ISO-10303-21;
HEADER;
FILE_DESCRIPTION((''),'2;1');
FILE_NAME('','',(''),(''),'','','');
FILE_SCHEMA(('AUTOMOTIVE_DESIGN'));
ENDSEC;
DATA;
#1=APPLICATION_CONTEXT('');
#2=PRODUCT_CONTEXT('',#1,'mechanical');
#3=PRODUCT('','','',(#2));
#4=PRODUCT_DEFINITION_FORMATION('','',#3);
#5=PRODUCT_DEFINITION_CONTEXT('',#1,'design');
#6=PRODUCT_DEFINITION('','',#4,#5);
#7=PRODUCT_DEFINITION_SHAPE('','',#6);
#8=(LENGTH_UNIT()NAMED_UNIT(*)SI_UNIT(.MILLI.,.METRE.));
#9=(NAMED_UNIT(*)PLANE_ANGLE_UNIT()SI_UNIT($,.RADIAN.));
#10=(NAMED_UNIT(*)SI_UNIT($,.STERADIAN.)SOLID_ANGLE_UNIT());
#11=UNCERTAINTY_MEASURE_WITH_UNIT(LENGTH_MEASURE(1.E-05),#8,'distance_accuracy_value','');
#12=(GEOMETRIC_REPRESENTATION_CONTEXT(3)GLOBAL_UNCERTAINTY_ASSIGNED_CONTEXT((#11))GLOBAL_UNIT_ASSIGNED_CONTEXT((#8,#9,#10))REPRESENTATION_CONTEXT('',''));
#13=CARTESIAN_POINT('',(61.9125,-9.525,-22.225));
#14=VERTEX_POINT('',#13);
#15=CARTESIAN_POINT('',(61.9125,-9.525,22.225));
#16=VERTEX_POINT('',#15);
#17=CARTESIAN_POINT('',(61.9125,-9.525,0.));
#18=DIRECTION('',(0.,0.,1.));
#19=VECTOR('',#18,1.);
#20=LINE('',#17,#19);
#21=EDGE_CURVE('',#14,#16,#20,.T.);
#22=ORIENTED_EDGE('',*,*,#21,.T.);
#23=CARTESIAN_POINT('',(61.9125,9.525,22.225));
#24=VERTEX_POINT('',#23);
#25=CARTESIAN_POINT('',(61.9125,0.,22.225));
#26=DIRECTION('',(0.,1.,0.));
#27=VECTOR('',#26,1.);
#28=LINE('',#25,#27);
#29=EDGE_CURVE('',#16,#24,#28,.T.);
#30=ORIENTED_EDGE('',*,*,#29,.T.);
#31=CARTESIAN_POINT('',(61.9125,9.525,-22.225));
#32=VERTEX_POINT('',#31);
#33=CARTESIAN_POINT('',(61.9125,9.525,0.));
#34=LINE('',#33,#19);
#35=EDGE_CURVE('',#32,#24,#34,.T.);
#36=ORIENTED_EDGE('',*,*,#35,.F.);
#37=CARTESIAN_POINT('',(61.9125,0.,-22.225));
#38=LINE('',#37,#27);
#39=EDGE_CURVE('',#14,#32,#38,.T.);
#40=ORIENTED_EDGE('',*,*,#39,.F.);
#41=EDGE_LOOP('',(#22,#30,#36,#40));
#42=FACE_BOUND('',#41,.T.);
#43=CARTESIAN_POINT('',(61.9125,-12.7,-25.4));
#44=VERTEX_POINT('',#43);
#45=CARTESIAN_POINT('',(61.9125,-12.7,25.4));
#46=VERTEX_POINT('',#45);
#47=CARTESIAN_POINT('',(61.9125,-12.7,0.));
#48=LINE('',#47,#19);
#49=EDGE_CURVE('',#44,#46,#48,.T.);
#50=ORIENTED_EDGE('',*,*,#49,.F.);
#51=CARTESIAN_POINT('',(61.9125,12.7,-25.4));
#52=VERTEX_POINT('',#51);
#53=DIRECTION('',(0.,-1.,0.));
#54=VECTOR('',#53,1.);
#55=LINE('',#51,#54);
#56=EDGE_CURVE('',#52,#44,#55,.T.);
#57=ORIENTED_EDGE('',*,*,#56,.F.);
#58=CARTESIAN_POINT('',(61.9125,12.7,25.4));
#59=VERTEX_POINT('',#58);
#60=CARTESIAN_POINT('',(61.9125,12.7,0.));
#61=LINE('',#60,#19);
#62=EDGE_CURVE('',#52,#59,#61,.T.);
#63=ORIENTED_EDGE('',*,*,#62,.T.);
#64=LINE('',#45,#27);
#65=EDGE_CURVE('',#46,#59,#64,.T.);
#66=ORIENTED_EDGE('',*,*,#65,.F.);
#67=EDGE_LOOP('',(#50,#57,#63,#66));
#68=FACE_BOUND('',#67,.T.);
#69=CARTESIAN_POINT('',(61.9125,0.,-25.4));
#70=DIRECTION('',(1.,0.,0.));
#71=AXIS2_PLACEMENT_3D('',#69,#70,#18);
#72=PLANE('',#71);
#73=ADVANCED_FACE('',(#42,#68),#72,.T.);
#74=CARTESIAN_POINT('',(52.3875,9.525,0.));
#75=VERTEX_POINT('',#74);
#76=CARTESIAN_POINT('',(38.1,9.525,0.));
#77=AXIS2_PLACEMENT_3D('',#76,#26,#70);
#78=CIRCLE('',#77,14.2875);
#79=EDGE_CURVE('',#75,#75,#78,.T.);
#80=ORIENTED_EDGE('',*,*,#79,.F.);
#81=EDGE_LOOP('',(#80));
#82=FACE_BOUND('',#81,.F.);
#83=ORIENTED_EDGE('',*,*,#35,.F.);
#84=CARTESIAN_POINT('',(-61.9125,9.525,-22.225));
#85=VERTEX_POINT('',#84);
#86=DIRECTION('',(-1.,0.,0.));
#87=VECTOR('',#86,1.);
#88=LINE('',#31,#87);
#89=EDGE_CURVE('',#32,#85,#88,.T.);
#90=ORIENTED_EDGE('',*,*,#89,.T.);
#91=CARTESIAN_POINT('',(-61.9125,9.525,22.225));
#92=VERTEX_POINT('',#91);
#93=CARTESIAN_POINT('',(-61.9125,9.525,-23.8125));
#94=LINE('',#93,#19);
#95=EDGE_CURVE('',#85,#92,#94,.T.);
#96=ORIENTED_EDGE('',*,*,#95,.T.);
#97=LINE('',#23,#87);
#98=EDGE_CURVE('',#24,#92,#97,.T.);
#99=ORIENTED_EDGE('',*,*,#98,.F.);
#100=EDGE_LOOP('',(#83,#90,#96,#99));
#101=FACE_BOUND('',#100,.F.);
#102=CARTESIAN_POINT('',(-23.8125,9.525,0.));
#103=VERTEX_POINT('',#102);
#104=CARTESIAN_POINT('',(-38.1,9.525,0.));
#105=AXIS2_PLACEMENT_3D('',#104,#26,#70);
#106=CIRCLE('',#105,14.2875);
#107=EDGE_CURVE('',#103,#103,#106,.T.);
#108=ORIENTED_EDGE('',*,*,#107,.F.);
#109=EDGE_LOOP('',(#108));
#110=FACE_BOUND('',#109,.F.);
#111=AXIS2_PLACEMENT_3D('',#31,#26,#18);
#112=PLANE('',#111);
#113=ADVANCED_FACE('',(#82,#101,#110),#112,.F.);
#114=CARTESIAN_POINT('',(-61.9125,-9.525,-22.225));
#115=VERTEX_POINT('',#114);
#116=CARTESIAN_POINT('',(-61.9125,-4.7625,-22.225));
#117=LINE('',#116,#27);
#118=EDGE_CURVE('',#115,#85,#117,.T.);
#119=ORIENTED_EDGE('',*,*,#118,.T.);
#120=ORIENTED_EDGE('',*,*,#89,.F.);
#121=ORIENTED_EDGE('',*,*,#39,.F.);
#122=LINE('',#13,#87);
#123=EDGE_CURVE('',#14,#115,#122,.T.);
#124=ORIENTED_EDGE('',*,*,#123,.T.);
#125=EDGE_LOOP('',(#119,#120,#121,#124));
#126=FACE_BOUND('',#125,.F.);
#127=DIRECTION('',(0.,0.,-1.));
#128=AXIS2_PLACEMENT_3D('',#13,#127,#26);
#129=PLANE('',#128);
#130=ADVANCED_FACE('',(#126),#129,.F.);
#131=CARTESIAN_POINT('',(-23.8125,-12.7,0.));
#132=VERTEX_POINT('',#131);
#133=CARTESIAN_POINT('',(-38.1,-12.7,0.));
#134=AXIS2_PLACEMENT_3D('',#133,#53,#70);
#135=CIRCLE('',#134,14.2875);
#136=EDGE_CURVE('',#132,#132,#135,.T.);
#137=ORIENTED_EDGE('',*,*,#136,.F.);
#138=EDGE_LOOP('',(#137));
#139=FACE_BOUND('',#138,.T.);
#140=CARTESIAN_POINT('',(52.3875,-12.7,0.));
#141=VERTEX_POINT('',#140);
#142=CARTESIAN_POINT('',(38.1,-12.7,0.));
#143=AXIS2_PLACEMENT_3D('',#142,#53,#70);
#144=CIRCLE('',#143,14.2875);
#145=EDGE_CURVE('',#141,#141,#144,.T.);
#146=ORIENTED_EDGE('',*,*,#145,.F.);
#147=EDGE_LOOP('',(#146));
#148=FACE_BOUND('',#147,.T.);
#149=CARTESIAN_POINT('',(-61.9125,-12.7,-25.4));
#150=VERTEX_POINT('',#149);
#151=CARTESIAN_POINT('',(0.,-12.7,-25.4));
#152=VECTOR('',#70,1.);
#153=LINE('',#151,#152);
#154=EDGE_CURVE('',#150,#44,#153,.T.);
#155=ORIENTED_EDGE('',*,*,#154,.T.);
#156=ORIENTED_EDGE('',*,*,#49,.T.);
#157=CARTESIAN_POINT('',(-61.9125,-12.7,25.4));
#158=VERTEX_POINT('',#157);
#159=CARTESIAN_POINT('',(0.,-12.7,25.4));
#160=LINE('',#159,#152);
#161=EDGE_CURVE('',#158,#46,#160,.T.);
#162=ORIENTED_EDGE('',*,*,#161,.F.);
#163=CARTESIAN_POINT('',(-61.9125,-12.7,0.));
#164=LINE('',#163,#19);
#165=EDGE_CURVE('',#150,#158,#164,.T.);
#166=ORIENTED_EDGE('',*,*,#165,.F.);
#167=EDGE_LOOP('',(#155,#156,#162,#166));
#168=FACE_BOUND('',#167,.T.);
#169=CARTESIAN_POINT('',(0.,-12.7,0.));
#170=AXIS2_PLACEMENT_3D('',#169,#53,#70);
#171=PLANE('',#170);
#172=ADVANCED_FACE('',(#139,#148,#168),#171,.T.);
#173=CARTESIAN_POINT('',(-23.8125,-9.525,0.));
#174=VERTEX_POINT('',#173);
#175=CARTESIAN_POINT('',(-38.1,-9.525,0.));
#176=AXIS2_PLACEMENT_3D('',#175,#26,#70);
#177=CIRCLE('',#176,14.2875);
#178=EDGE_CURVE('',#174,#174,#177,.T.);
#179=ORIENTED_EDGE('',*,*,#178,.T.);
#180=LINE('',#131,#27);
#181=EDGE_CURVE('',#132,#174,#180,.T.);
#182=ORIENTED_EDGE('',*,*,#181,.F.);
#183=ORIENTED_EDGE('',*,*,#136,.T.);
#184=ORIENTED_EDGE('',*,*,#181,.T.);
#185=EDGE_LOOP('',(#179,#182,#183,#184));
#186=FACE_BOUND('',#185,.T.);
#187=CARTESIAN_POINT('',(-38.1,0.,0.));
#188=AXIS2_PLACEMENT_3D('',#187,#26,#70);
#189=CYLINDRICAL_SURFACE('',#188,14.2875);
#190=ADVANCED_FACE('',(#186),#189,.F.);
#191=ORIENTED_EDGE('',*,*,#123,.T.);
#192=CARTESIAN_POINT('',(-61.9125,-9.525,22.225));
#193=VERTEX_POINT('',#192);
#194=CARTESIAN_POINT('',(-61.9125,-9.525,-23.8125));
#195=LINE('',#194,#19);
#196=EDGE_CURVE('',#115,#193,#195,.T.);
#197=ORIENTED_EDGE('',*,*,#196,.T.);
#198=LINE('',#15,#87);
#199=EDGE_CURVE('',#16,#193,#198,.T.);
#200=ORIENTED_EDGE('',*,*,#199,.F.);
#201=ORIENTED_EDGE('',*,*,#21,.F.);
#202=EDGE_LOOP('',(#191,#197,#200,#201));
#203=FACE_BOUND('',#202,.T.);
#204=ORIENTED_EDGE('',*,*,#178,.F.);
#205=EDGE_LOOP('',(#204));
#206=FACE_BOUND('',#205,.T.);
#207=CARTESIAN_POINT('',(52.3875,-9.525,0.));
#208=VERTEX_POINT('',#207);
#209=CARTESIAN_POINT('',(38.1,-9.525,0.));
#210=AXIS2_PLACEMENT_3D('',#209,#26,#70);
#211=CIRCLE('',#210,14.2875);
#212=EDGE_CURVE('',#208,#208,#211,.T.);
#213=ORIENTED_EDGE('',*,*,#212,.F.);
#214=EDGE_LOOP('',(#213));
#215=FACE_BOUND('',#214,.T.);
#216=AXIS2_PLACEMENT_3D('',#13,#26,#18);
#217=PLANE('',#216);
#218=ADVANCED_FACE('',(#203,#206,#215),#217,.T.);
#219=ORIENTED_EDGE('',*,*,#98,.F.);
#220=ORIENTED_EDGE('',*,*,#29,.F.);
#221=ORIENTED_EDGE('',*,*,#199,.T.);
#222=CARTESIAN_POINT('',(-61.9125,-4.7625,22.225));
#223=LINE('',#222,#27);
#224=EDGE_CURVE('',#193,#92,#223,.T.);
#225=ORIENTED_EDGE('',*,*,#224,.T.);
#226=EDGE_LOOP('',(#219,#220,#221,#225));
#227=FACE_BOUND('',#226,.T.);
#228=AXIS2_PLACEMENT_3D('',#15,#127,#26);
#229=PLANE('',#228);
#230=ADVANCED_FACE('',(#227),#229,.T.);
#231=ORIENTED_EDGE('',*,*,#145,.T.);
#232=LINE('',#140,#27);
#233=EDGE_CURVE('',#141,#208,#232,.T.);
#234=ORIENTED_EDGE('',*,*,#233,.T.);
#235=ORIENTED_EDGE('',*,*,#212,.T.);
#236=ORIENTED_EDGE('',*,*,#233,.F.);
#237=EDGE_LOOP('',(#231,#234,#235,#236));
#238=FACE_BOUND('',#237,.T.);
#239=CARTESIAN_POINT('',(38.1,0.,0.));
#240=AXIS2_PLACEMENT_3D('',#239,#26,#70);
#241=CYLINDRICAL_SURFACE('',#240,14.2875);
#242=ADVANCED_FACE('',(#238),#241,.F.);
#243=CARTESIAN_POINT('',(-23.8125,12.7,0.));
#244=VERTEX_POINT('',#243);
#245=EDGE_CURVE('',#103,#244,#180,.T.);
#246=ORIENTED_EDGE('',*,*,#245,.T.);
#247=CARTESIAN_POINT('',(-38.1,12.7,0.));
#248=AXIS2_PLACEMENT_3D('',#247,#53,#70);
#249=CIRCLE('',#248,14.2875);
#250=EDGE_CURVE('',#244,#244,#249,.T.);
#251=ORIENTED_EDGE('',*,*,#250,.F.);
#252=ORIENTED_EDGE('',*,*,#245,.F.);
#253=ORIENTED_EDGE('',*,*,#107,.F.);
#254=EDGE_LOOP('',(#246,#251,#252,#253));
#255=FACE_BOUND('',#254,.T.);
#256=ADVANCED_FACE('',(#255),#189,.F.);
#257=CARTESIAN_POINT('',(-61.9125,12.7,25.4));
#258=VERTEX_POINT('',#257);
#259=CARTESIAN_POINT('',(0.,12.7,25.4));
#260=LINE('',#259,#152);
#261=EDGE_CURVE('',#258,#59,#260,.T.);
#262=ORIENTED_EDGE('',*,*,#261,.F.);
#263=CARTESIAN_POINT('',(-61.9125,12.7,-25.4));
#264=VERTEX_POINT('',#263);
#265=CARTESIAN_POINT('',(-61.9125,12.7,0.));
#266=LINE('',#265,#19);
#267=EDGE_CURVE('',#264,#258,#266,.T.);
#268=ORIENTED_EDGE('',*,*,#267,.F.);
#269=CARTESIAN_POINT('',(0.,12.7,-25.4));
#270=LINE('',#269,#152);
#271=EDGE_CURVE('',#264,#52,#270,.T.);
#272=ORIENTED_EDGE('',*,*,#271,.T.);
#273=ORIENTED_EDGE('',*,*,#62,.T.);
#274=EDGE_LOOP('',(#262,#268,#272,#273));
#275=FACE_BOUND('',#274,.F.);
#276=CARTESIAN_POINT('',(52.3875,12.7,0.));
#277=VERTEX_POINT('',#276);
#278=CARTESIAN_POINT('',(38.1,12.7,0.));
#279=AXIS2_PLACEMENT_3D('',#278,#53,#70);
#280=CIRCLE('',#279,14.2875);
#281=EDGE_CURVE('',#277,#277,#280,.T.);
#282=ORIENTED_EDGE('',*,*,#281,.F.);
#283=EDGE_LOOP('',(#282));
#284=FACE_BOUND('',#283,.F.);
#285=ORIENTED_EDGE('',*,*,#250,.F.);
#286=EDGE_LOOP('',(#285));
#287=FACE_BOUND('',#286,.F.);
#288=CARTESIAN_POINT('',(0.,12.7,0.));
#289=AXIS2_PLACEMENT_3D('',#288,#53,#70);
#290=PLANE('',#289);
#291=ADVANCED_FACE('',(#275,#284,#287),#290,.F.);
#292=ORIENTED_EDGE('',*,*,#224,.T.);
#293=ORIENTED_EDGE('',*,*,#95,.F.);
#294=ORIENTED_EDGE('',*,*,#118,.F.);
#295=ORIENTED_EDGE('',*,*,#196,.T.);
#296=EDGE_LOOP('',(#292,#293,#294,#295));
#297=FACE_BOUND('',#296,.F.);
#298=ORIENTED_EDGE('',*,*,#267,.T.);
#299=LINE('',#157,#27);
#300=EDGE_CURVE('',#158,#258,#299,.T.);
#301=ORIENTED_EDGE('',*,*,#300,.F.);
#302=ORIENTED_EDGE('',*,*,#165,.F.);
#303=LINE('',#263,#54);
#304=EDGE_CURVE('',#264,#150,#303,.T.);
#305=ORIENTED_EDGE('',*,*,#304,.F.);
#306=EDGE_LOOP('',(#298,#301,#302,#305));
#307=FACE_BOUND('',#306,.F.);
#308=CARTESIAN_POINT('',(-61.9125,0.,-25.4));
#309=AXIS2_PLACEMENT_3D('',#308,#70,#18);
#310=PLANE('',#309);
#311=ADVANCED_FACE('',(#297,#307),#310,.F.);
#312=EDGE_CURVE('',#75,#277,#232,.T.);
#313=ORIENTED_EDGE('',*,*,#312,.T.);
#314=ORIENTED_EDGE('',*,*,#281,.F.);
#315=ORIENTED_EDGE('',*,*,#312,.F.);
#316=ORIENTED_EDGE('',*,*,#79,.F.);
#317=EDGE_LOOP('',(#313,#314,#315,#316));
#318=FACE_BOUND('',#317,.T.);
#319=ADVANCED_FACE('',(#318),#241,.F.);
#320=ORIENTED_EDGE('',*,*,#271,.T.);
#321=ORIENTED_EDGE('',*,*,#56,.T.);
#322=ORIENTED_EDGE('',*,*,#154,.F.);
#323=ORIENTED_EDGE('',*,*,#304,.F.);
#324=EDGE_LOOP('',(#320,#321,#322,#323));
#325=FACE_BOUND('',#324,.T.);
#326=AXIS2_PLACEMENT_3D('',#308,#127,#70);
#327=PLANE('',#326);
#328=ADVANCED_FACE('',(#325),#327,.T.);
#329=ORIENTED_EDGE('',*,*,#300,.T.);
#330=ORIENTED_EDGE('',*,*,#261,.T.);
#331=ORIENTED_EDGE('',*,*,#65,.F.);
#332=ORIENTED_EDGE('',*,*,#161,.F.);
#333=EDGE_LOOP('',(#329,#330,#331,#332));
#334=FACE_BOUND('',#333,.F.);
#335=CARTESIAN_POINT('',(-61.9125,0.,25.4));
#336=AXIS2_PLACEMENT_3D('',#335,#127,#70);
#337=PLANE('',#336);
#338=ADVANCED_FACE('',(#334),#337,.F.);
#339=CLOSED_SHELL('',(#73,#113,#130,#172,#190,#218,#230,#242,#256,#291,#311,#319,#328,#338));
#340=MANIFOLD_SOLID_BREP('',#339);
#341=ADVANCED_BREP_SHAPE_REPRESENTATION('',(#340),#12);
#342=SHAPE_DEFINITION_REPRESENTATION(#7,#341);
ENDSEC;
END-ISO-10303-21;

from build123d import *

# Parameters (mm, degrees)
F0_W     = 123.825
F0_H     = 50.8
F0_R     = 14.2875
F1_DEPTH = 12.7
F2_W     = 19.05
F2_H     = 44.45
F3_DEPTH = 123.826


with BuildPart() as f1:
    # F0 (on Front) → F1 (new body, symmetric)
    with BuildSketch(Plane.XZ):
        Rectangle(F0_W, F0_H)
        with Locations((-38.1, 0)):
            Circle(F0_R, mode=Mode.SUBTRACT)
        with Locations((38.1, 0)):
            Circle(F0_R, mode=Mode.SUBTRACT)
    extrude(amount=F1_DEPTH, both=True)

    # F2 (on face) → F3 (cut, through all)
    with BuildSketch(Plane.YZ.offset(61.9125)):
        Rectangle(F2_W, F2_H)
    extrude(amount=-F3_DEPTH, mode=Mode.SUBTRACT)


solid = f1.part
